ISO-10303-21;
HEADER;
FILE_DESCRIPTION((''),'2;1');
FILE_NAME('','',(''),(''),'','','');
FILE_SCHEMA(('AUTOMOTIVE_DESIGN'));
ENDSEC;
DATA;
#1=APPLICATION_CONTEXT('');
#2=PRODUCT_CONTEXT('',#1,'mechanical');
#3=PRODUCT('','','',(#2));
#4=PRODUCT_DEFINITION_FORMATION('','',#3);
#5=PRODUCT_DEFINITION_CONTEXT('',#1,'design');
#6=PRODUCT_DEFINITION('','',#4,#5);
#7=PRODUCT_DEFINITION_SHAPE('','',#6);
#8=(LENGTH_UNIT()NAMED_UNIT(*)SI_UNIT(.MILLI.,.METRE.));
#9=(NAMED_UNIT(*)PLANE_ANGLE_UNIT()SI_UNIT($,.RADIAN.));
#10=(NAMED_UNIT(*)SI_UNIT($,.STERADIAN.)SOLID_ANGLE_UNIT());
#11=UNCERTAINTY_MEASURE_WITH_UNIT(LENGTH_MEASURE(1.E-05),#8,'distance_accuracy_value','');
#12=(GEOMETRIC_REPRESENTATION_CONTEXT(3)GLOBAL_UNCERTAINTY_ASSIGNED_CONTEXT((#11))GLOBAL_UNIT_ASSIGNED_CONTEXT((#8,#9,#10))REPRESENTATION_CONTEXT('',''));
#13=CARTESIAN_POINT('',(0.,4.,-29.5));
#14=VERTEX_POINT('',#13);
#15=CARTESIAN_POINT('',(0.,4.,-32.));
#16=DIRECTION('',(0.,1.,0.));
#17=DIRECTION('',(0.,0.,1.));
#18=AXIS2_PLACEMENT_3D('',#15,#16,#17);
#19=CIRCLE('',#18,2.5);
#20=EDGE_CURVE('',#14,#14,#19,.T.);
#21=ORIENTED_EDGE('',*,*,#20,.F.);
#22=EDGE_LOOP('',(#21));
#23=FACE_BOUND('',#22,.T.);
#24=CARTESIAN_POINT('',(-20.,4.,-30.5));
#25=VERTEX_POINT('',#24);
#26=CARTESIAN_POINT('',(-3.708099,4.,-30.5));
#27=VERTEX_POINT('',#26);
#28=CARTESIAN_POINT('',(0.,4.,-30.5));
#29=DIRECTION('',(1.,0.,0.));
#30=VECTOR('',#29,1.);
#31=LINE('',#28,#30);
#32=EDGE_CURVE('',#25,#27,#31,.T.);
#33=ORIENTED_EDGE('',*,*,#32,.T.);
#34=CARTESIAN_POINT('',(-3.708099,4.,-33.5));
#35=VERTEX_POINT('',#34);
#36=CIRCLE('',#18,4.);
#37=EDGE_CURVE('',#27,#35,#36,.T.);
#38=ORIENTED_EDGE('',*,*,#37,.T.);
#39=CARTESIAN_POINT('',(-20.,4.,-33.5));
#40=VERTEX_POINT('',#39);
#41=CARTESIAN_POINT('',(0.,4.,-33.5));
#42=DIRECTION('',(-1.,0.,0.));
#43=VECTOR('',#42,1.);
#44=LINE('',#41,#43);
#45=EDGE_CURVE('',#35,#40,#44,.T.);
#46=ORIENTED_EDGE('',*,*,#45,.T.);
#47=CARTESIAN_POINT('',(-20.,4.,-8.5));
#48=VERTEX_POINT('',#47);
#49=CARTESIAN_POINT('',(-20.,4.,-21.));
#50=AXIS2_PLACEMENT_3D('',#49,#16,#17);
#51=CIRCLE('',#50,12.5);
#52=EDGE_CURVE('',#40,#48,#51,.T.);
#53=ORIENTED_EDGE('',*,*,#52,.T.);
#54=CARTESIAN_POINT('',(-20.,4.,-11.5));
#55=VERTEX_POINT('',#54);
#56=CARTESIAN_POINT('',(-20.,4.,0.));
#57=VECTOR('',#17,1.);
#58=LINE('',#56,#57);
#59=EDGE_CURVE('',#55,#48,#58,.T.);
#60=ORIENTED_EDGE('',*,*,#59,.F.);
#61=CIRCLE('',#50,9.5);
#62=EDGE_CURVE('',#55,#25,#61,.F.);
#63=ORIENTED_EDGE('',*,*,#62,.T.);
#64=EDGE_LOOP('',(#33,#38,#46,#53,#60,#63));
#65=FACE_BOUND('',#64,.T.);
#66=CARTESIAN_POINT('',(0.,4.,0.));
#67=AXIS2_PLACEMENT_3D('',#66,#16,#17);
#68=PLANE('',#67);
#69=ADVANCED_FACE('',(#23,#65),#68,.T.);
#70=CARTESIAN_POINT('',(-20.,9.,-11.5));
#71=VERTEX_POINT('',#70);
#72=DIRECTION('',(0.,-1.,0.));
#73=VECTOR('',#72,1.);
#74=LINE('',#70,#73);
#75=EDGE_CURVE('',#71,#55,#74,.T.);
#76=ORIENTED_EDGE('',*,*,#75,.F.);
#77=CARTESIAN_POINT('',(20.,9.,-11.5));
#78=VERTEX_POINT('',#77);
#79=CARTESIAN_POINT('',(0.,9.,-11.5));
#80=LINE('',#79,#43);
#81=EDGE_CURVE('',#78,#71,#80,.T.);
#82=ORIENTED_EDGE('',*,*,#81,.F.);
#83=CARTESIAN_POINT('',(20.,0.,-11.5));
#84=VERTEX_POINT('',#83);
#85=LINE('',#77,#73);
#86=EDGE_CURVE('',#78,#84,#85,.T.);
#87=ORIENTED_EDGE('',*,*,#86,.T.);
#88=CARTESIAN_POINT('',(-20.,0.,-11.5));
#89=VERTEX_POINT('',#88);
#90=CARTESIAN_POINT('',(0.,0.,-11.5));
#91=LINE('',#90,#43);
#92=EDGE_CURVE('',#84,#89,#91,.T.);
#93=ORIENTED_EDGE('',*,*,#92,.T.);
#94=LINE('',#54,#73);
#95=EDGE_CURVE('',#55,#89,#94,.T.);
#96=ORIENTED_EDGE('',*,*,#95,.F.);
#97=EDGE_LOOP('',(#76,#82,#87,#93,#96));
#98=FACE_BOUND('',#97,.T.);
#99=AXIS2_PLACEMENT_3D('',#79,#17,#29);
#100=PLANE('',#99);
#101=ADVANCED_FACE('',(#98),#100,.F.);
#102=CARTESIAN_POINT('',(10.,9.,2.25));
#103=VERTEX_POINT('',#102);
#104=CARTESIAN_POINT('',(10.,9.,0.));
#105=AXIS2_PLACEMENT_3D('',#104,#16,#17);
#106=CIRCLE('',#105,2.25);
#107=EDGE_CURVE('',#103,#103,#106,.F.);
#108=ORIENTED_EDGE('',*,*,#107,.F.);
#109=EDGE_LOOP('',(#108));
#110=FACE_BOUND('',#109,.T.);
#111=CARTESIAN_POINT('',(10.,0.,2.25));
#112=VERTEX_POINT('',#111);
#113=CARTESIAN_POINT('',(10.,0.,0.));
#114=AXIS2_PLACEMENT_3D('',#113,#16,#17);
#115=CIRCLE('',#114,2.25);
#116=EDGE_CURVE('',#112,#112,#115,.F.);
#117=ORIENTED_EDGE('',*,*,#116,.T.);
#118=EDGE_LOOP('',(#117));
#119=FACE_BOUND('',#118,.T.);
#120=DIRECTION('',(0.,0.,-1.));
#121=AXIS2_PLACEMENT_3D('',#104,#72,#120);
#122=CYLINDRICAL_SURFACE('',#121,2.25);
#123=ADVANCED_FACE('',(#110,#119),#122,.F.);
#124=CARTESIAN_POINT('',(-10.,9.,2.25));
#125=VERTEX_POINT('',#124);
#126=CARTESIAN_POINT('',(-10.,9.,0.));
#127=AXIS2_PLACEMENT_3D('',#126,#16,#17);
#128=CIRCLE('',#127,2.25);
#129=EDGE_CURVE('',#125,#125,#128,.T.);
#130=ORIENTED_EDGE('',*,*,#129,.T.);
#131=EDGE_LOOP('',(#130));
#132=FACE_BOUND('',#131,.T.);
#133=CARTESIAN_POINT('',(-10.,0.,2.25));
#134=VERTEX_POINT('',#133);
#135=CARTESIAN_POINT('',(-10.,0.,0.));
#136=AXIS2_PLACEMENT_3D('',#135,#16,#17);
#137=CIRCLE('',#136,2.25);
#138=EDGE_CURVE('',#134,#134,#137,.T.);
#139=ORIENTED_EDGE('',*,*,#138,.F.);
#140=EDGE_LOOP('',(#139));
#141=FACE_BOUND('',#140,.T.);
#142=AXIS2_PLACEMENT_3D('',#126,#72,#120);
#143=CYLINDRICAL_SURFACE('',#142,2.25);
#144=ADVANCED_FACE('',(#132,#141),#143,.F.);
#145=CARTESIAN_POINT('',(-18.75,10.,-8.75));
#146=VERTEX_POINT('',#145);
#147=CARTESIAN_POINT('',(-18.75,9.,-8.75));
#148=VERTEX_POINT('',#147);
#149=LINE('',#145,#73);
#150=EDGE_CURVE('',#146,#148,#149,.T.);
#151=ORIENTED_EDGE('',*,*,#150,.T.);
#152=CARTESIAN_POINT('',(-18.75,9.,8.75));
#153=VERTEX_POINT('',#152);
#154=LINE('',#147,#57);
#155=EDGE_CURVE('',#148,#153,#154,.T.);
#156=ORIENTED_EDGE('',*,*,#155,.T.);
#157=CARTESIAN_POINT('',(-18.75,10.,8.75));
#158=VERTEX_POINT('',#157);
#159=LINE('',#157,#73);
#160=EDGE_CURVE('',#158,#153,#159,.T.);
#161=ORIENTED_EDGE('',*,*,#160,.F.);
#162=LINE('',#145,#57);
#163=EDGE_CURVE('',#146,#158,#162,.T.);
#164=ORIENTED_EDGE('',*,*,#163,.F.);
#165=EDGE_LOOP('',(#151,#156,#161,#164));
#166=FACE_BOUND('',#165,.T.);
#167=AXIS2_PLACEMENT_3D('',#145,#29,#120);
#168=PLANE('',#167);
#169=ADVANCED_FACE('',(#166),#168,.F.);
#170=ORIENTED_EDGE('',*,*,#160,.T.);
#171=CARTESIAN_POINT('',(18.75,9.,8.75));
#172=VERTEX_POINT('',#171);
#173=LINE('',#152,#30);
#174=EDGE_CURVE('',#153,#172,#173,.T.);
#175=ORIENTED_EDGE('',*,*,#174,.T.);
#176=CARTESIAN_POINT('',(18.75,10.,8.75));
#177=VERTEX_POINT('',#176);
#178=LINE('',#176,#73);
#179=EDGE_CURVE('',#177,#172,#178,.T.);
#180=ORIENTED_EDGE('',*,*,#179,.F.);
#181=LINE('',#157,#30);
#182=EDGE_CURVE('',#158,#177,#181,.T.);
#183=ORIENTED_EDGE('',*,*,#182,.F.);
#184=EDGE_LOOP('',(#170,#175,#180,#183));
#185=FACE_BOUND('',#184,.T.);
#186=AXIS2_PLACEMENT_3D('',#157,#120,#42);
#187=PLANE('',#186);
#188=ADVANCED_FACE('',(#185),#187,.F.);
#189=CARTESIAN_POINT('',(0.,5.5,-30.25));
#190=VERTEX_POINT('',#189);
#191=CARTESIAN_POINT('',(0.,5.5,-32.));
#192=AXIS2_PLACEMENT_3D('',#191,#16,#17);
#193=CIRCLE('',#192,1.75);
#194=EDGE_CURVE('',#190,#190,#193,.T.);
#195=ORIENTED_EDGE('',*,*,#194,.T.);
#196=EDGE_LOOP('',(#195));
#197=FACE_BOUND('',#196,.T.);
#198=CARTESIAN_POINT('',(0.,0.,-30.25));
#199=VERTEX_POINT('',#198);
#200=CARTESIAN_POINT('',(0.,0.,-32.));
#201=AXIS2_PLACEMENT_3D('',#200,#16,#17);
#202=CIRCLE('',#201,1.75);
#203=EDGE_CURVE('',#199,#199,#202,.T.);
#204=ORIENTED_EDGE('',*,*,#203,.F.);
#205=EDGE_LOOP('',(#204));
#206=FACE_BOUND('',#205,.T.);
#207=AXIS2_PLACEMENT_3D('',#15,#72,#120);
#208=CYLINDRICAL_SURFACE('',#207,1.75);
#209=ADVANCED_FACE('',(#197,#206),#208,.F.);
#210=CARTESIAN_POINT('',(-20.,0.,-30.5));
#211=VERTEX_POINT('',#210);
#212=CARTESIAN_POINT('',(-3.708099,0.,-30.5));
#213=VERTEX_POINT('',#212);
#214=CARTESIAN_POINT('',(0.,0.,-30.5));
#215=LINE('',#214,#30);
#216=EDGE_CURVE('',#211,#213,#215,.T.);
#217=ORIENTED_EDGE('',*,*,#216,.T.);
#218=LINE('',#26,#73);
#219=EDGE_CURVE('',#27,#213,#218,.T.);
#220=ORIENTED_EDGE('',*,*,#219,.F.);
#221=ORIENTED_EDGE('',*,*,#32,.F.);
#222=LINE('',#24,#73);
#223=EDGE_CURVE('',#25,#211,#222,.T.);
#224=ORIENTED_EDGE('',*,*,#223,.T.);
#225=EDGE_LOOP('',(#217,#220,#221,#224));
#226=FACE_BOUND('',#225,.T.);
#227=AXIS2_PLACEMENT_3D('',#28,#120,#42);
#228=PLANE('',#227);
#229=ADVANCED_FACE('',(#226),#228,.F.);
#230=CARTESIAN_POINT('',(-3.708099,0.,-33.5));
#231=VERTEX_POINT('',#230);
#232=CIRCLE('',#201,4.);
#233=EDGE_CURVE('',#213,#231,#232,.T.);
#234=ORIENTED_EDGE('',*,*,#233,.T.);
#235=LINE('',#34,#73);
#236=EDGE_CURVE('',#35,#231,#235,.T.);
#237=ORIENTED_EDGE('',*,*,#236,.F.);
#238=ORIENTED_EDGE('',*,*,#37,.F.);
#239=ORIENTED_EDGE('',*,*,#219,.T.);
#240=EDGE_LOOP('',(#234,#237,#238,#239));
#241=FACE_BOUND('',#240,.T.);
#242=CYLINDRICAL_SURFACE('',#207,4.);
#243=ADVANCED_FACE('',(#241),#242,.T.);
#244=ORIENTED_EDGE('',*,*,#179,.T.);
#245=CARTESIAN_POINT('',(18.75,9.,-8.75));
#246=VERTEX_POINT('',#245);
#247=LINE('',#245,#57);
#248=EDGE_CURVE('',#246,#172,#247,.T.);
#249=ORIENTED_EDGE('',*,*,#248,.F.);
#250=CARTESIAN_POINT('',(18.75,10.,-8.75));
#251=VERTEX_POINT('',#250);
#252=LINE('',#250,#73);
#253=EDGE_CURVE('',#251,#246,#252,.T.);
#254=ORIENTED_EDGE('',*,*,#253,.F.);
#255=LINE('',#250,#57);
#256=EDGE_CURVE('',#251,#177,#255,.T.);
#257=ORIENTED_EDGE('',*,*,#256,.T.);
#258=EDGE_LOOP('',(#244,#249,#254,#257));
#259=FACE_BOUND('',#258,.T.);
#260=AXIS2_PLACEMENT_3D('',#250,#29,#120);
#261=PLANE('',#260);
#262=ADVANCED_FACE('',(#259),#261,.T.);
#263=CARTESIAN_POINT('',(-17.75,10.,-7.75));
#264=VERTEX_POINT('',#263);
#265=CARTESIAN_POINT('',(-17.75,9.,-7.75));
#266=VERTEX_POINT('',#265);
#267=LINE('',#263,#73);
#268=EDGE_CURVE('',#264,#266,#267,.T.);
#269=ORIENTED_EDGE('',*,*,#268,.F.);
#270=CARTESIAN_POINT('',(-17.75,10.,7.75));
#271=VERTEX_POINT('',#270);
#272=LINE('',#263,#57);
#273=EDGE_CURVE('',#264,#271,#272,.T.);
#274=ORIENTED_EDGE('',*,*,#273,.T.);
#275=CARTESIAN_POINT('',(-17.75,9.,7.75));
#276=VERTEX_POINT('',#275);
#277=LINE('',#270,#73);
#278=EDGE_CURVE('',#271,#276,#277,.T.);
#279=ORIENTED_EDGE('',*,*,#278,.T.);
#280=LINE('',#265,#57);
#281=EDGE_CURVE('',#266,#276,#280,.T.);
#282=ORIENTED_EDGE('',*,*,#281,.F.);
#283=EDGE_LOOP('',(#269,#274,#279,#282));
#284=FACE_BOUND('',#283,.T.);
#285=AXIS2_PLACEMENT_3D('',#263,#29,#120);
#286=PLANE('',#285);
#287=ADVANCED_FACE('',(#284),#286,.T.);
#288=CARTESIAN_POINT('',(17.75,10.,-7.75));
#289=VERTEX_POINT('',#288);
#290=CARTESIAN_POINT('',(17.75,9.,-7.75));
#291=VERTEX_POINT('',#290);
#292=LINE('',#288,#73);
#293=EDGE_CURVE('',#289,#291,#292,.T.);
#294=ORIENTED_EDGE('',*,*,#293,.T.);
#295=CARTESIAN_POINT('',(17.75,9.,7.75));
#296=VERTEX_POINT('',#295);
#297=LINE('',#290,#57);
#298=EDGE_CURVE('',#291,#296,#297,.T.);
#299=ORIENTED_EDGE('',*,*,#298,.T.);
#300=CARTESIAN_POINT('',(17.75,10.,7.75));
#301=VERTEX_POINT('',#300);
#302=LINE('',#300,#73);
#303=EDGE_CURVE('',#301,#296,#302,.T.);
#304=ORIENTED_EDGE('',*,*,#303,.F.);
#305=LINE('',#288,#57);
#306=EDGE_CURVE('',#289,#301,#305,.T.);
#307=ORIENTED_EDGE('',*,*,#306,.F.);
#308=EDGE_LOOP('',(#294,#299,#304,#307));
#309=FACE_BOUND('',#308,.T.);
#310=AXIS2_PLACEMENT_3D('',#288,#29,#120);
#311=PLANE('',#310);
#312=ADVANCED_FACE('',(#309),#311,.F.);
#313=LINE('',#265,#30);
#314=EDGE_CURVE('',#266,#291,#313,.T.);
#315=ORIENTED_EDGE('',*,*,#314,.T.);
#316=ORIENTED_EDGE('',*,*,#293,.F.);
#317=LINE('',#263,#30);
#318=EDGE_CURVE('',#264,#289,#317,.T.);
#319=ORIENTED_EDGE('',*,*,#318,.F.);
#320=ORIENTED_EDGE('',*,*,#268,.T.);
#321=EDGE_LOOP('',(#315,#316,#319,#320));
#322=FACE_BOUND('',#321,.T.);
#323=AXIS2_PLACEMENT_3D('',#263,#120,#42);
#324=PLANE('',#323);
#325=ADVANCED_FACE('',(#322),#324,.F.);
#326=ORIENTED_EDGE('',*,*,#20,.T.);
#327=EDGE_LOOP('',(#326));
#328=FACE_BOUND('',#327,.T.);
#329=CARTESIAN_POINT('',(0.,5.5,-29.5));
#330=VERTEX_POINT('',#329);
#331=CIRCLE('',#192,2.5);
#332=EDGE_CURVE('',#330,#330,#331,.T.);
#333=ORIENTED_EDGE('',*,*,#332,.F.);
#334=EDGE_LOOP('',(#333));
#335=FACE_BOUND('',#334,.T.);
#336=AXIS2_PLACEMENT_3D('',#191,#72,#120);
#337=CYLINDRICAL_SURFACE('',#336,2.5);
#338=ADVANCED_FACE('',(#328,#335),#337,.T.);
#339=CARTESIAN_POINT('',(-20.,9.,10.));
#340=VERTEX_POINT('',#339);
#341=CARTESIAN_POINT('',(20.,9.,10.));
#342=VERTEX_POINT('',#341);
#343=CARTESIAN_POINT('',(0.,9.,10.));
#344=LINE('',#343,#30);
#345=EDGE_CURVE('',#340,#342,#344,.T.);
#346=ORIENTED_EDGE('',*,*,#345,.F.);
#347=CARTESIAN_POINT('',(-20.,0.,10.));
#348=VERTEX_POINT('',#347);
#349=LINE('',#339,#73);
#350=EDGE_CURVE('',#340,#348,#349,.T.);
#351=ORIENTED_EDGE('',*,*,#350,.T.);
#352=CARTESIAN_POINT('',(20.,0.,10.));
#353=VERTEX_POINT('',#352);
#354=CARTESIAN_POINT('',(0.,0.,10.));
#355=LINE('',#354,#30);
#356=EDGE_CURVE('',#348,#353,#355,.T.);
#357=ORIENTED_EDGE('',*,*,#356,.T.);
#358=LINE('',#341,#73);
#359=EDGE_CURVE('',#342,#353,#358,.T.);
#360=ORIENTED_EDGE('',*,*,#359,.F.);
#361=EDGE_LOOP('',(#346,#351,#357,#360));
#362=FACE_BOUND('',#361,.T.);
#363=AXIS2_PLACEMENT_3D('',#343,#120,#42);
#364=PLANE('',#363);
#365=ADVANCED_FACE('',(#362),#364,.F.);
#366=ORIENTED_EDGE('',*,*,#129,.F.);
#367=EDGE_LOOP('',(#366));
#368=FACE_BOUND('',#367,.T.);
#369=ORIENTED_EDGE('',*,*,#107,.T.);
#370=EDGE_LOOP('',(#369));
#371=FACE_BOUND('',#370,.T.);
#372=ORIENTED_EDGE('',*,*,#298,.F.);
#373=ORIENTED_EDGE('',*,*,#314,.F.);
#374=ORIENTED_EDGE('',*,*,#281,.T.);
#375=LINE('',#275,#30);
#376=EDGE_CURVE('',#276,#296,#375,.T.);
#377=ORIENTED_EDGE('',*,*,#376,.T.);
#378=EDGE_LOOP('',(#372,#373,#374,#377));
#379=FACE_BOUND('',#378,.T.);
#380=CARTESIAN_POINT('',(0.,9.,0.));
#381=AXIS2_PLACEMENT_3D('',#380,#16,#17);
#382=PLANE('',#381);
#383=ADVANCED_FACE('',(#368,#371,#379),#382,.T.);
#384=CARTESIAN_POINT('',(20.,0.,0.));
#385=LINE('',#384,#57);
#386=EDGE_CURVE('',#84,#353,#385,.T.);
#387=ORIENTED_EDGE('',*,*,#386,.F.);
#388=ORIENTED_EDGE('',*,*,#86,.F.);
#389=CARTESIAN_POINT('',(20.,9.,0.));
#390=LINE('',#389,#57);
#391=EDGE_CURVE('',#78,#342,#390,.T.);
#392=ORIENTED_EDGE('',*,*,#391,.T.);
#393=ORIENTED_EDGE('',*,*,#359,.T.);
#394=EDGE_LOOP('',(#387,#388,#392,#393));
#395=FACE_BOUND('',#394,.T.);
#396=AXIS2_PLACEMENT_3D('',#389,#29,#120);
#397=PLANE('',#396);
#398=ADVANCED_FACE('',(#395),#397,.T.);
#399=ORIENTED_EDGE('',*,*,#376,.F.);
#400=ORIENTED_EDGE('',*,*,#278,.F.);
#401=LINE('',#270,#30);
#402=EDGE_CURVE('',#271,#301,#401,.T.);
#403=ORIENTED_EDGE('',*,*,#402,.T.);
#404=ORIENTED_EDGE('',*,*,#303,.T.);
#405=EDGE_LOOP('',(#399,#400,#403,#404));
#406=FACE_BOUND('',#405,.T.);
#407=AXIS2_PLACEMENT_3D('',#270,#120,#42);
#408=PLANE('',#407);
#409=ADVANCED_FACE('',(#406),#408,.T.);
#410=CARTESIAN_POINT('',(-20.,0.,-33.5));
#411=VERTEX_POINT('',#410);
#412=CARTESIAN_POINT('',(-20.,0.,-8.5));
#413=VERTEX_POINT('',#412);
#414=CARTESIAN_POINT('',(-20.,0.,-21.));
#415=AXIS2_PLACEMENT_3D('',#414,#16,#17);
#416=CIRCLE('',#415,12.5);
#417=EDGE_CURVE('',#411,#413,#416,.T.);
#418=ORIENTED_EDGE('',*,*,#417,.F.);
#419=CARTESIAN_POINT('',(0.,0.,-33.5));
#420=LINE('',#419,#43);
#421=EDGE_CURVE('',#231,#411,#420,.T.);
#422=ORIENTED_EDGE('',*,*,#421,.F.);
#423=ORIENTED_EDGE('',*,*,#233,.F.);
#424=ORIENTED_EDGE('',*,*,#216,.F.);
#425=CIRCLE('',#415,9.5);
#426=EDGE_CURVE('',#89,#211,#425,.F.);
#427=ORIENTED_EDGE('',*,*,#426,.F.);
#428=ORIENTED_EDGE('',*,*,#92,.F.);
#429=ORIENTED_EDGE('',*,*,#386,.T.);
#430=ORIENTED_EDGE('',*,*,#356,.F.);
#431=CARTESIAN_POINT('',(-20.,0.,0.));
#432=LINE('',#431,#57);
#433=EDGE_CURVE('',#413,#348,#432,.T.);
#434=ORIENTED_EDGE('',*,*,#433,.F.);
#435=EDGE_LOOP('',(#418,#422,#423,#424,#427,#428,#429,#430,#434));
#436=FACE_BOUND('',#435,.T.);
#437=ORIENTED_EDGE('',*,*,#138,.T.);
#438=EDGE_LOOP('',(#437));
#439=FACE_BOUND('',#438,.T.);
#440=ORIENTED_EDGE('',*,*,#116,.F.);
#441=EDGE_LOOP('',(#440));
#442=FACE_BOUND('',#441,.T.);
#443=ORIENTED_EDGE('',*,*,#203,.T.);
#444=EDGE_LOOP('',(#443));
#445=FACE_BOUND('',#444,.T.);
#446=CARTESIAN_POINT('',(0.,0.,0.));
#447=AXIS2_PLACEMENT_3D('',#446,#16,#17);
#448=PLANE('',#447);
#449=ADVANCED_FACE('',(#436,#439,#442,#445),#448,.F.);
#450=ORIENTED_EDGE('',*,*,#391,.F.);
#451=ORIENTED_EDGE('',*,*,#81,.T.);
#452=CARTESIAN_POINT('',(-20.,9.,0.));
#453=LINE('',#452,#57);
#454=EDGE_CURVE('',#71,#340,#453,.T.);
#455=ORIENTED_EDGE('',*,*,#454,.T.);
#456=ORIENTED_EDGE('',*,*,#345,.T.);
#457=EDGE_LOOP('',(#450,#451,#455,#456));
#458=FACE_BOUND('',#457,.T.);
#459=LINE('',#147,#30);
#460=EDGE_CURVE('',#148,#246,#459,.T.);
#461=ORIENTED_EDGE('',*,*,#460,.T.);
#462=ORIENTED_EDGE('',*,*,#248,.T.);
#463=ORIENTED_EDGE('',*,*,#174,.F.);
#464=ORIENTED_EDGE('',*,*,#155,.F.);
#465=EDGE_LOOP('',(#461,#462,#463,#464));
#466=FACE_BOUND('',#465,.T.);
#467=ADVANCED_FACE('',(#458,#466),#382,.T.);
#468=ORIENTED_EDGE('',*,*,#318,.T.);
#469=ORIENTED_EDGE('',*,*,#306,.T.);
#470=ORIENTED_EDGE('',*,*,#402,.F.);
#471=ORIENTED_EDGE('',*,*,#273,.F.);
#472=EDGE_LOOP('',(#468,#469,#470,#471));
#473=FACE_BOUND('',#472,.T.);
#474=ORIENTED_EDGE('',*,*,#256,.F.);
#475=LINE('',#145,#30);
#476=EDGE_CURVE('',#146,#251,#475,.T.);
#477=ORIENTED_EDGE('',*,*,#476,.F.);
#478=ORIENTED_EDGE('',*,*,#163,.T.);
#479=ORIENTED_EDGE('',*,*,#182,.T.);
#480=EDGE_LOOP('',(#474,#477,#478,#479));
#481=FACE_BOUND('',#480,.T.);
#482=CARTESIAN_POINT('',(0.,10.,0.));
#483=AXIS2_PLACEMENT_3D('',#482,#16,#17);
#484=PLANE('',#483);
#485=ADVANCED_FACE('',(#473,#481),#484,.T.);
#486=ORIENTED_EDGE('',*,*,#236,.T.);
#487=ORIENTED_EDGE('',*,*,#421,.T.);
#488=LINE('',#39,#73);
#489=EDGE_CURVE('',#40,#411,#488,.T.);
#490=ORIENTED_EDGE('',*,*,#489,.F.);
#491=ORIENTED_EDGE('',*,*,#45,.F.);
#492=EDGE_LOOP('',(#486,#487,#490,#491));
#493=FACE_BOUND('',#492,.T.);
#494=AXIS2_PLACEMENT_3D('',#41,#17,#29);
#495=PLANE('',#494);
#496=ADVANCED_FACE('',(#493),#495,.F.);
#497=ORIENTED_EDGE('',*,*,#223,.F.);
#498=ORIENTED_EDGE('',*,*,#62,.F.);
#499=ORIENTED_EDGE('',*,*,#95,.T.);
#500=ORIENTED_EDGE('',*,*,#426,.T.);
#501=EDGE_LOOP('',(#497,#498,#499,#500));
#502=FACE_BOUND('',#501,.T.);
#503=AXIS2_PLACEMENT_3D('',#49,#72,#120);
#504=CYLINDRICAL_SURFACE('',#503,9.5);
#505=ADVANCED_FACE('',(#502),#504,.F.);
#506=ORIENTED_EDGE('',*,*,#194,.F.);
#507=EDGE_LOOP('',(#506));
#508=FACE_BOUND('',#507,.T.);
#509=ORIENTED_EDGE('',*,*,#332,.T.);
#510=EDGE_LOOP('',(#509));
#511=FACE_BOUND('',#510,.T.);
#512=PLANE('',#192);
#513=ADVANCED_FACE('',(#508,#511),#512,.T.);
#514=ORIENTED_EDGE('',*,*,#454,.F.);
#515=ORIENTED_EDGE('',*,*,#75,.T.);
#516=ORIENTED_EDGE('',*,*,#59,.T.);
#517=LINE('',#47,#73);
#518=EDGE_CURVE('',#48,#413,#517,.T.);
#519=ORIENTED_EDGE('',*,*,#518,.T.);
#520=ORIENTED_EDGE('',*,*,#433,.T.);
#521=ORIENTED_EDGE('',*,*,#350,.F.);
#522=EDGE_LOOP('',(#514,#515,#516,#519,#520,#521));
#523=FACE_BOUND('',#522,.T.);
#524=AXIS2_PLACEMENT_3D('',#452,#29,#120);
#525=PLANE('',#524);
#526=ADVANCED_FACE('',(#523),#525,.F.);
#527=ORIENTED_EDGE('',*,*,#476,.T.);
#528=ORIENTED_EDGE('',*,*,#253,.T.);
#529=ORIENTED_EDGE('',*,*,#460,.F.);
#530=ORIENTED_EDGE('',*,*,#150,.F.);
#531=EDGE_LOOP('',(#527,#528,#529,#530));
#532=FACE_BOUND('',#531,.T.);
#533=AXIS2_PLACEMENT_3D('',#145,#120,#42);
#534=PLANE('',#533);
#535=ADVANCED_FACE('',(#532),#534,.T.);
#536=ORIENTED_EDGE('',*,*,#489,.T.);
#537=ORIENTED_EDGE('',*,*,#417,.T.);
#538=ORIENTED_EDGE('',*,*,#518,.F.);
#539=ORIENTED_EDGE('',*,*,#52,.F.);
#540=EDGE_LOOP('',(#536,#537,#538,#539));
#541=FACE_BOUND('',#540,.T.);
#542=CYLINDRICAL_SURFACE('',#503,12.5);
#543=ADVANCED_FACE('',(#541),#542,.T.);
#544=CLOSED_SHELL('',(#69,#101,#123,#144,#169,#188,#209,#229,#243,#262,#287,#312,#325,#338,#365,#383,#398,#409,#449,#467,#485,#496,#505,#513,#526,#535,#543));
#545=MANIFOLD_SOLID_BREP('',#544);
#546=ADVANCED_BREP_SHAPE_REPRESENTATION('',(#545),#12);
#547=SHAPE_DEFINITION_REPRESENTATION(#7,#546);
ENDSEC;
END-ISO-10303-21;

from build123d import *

# Parameters (mm, degrees)
SKETCH1_W           = 40
SKETCH1_H           = 21.5
SKETCH1_R           = 2.25
BOSS_EXTRUDE3_DEPTH = 9
SKETCH1_5_R         = 1.75
BOSS_EXTRUDE4_DEPTH = 4
SKETCH2_R           = 2.5
SKETCH2_R_2         = 1.75
BOSS_EXTRUDE5_DEPTH = 1.5
SKETCH3_W           = 37.5
SKETCH3_H           = 17.5
SKETCH3_W_2         = 35.5
SKETCH3_H_2         = 15.5
BOSS_EXTRUDE6_DEPTH = 1


with BuildPart() as part:
    # Sketch1 → Boss-Extrude3 (new body)
    with BuildSketch(Plane(origin=(0, 0, 0), x_dir=(1, 0, 0), z_dir=(0, 1, 0))):
        with Locations((0, 0.75)):
            Rectangle(SKETCH1_W, SKETCH1_H)
        with Locations((10, 0)):
            Circle(SKETCH1_R, mode=Mode.SUBTRACT)
        with Locations((-10, 0)):
            Circle(SKETCH1_R, mode=Mode.SUBTRACT)
    extrude(amount=BOSS_EXTRUDE3_DEPTH)

    # Sketch1<5> → Boss-Extrude4 (add)
    with BuildSketch(Plane(origin=(0, 0, 0), x_dir=(1, 0, 0), z_dir=(0, 1, 0))):
        with BuildLine():
            ThreePointArc((-20, 33.5), (-32.5, 21), (-20, 8.5))
            Line((-20, 8.5), (-20, 10))
            Line((-20, 10), (-20, 11.5))
            ThreePointArc((-20, 11.5), (-29.5, 21), (-20, 30.5))
            Line((-20, 30.5), (-3.708099244, 30.5))
            ThreePointArc((-3.708099244, 30.5), (4, 32), (-3.708099244, 33.5))
            Line((-3.708099244, 33.5), (-20, 33.5))
        make_face()
        with Locations((0, 32)):
            Circle(SKETCH1_5_R, mode=Mode.SUBTRACT)
    extrude(amount=BOSS_EXTRUDE4_DEPTH)

    # Sketch2 → Boss-Extrude5 (add)
    with BuildSketch(Plane(origin=(0, 4, 0), x_dir=(1, 0, 0), z_dir=(0, 1, 0))):
        with Locations((0, 32)):
            Circle(SKETCH2_R)
        with Locations((0, 32)):
            Circle(SKETCH2_R_2, mode=Mode.SUBTRACT)
    extrude(amount=BOSS_EXTRUDE5_DEPTH)

    # Sketch3 → Boss-Extrude6 (add)
    with BuildSketch(Plane(origin=(0, 9, 0), x_dir=(1, 0, 0), z_dir=(0, 1, 0))):
        Rectangle(SKETCH3_W, SKETCH3_H)
        Rectangle(SKETCH3_W_2, SKETCH3_H_2, mode=Mode.SUBTRACT)
    extrude(amount=BOSS_EXTRUDE6_DEPTH)


solid = part.part
